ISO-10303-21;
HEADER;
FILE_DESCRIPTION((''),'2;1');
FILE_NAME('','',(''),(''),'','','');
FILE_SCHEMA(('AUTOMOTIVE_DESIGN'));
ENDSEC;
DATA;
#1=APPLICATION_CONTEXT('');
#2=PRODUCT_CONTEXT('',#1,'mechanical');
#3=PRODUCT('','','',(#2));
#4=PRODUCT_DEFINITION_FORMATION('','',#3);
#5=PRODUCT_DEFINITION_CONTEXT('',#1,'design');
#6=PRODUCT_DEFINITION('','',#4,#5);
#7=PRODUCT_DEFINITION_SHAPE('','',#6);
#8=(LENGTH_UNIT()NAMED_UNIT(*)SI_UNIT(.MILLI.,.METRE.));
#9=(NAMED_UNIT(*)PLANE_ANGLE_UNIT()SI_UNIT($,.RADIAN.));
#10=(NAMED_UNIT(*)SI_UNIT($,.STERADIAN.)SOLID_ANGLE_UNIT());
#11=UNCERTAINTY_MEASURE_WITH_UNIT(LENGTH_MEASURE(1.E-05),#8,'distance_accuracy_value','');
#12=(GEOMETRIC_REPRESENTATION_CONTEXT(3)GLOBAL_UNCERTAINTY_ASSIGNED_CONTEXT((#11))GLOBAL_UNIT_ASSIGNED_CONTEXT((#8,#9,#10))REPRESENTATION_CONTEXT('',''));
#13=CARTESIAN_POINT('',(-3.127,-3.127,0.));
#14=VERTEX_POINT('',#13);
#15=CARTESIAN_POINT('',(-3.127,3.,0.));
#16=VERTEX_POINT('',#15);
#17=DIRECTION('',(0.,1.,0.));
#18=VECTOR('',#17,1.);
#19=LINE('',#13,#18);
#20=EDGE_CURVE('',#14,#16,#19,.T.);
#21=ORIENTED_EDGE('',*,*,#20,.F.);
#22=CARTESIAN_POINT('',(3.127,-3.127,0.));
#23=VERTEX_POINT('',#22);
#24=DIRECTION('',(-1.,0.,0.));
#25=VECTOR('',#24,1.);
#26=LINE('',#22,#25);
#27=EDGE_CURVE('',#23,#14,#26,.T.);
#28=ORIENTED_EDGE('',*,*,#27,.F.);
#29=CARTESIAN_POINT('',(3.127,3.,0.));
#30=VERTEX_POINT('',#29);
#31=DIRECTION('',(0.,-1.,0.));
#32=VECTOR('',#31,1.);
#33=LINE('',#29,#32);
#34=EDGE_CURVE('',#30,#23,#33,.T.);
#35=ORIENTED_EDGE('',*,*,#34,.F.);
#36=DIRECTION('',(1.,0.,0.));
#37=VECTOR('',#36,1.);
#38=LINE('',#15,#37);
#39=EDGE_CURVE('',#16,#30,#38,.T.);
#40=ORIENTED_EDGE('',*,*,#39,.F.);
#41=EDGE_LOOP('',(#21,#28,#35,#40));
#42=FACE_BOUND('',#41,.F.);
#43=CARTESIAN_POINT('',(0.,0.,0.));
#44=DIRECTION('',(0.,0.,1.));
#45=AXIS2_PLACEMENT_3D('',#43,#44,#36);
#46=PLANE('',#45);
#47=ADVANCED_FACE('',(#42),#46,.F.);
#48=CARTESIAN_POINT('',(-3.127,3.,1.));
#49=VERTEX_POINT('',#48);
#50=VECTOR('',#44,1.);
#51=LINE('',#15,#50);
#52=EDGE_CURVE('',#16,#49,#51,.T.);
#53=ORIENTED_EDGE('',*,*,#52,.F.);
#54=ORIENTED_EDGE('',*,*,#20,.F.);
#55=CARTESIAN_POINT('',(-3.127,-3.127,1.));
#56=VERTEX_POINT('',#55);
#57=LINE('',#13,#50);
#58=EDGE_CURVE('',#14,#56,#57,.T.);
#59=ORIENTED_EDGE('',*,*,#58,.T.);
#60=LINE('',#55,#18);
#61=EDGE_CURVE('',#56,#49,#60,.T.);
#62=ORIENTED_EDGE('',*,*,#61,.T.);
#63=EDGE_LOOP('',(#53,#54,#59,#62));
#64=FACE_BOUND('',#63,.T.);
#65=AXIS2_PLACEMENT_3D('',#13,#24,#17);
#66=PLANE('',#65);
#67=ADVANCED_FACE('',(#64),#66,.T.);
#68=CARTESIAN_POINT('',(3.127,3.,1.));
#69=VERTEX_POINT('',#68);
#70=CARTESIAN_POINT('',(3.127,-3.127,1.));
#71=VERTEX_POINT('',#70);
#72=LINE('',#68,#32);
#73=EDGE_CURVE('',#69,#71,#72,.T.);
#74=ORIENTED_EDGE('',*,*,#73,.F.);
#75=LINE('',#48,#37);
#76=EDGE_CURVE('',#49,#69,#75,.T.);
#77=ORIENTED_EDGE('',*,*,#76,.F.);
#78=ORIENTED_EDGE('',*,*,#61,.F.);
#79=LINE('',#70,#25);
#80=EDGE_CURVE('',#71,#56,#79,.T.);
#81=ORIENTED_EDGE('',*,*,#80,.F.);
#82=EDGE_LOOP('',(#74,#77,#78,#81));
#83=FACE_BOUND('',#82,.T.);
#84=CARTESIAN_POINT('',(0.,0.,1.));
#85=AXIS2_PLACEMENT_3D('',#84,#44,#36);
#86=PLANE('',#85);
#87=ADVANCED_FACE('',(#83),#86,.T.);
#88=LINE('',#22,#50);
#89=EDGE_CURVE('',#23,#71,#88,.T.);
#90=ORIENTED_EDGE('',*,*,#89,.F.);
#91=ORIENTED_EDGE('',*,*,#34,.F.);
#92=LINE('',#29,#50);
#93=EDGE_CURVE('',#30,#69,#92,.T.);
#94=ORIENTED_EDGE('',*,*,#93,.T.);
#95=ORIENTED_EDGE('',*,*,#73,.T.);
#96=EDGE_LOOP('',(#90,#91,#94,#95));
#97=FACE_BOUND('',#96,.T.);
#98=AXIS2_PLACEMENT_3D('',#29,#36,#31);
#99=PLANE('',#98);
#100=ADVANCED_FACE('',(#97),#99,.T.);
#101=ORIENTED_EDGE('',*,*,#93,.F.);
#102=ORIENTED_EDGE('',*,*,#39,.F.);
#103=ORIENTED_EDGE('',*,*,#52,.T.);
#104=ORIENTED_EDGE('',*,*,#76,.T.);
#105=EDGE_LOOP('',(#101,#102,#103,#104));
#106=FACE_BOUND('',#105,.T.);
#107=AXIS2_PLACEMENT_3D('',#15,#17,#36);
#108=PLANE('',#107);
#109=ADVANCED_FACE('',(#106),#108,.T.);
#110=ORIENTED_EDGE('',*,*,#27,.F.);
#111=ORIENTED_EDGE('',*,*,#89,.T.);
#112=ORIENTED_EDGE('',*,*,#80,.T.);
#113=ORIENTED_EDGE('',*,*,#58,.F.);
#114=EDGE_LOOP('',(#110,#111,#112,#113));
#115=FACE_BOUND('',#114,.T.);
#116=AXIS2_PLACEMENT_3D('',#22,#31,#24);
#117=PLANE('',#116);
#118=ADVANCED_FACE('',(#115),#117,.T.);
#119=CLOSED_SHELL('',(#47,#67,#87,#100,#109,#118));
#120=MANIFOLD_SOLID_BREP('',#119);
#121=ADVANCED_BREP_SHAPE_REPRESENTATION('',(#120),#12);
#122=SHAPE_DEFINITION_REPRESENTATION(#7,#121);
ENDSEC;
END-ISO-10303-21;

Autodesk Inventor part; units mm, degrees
ref_plane "YZ Plane" through (0, 0, 0) normal (1, 0, 0) x (0, 1, 0)
ref_plane "XZ Plane" through (0, 0, 0) normal (0, 1, 0) x (-1, 0, 0)
ref_plane "XY Plane" through (0, 0, 0) normal (0, 0, 1) x (1, 0, 0)
sketch "TACTILE_SWITCH_TALL, SWITCH-MOMENTARY-2SMD-4_115" plane through (0, 0, 0) normal (0, 0, 1) x (1, 0, 0)
  line L0 (-3.127, 3) -> (3.127, 3)
  line L1 (3.127, 3) -> (3.127, -3.127)
  line L2 (3.127, -3.127) -> (-3.127, -3.127)
  line L3 (-3.127, -3.127) -> (-3.127, 3)
extrude "Extrusion1" add sketch "TACTILE_SWITCH_TALL, SWITCH-MOMENTARY-2SMD-4_115" along normal blind 1
properties part number "SWITCH-MOMENTARY-2SMD-4"
